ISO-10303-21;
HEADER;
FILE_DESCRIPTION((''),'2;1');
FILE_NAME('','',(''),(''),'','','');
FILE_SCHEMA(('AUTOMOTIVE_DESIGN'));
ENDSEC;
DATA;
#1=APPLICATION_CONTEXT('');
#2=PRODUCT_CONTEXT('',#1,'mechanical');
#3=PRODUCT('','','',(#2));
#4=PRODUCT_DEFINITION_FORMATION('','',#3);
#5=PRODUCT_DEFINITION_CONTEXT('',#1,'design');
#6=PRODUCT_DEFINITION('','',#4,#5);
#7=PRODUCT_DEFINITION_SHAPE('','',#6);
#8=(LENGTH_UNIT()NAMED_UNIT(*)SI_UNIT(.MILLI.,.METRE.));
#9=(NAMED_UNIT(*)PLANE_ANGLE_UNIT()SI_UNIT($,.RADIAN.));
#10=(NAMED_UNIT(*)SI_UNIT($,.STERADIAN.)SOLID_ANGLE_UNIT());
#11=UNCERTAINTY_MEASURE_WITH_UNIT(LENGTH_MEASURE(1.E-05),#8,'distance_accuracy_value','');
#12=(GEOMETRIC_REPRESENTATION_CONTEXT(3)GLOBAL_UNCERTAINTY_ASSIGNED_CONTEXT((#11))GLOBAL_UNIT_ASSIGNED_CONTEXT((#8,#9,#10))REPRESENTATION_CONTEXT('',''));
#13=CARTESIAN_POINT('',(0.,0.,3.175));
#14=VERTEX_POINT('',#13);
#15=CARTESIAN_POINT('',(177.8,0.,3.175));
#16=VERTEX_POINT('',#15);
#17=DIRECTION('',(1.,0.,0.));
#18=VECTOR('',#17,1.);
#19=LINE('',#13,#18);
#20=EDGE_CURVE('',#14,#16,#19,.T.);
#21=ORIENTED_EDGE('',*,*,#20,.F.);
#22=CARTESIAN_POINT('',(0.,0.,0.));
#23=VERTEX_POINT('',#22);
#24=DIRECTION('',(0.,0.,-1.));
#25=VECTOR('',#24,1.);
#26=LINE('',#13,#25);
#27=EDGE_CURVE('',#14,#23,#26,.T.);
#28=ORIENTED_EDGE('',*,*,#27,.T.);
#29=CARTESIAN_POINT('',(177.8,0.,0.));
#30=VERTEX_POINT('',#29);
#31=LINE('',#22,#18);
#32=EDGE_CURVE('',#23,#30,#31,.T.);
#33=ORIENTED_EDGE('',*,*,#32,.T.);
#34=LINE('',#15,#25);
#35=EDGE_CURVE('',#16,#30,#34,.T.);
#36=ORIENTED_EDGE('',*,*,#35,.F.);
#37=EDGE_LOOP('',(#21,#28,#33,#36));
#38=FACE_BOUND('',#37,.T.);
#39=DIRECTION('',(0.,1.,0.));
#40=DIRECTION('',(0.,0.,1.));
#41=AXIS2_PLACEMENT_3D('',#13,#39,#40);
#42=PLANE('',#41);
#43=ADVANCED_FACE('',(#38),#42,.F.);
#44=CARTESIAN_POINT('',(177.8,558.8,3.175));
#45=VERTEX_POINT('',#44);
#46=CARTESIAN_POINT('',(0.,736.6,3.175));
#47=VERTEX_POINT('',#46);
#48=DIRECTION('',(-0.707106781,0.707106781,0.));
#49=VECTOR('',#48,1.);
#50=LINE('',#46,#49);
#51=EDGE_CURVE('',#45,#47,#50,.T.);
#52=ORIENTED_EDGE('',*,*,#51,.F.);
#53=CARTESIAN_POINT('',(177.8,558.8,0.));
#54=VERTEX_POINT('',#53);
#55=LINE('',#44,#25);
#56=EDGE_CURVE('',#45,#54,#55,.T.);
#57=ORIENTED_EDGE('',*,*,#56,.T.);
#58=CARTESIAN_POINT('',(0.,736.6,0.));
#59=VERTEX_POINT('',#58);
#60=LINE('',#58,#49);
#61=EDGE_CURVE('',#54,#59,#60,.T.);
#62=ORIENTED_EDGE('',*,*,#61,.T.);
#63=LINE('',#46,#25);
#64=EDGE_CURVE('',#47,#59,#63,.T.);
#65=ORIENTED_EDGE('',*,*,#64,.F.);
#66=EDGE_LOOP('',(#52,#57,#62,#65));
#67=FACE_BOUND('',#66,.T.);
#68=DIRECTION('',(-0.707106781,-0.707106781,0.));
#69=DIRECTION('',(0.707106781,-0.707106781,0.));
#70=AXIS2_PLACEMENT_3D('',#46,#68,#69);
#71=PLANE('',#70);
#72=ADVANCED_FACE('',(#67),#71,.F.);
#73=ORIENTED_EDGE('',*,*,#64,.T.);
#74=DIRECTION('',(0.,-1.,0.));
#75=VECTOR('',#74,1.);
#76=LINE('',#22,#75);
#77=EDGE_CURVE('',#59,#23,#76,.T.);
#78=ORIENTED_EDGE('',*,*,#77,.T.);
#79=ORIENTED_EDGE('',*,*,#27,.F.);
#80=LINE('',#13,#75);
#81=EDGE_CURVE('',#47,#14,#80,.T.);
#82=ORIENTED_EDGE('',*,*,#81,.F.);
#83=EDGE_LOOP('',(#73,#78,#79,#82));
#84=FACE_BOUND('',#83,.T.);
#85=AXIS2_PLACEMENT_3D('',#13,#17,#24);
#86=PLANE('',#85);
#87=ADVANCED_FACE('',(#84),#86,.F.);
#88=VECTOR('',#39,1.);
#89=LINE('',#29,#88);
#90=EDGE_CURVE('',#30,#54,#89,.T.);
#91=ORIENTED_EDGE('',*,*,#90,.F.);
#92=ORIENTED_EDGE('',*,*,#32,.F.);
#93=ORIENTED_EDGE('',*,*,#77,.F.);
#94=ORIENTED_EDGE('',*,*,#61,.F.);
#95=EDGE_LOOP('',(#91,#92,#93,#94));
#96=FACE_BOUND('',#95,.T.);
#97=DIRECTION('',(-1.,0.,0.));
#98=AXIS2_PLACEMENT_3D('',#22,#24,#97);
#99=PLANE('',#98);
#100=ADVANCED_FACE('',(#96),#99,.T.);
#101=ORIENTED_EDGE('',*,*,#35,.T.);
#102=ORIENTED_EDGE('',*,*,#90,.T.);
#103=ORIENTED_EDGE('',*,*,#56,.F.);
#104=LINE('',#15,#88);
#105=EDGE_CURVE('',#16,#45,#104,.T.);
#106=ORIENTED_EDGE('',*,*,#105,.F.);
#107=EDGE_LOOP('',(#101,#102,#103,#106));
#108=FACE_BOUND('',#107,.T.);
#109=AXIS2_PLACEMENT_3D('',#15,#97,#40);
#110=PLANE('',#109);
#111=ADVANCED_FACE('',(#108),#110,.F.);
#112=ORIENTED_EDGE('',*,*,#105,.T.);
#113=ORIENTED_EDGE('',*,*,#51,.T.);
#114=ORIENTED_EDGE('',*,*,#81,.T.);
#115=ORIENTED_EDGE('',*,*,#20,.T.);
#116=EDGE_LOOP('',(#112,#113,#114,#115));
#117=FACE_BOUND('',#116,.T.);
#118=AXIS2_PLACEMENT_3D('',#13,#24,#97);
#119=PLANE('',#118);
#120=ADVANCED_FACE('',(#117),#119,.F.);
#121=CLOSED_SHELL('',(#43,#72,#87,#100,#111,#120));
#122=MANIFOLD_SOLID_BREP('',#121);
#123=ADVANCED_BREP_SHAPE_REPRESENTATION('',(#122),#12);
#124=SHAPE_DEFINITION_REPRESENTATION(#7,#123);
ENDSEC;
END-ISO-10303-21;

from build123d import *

# Parameters (mm, degrees)
BOSS_EXTRUDE1_DEPTH = 3.175


with BuildPart() as part:
    # Sketch1 → Boss-Extrude1 (new body)
    with BuildSketch(Plane.XY):
        Polygon((0, 0), (177.8, 0), (177.8, 558.8), (0, 736.6), align=None)
    extrude(amount=BOSS_EXTRUDE1_DEPTH)


solid = part.part
